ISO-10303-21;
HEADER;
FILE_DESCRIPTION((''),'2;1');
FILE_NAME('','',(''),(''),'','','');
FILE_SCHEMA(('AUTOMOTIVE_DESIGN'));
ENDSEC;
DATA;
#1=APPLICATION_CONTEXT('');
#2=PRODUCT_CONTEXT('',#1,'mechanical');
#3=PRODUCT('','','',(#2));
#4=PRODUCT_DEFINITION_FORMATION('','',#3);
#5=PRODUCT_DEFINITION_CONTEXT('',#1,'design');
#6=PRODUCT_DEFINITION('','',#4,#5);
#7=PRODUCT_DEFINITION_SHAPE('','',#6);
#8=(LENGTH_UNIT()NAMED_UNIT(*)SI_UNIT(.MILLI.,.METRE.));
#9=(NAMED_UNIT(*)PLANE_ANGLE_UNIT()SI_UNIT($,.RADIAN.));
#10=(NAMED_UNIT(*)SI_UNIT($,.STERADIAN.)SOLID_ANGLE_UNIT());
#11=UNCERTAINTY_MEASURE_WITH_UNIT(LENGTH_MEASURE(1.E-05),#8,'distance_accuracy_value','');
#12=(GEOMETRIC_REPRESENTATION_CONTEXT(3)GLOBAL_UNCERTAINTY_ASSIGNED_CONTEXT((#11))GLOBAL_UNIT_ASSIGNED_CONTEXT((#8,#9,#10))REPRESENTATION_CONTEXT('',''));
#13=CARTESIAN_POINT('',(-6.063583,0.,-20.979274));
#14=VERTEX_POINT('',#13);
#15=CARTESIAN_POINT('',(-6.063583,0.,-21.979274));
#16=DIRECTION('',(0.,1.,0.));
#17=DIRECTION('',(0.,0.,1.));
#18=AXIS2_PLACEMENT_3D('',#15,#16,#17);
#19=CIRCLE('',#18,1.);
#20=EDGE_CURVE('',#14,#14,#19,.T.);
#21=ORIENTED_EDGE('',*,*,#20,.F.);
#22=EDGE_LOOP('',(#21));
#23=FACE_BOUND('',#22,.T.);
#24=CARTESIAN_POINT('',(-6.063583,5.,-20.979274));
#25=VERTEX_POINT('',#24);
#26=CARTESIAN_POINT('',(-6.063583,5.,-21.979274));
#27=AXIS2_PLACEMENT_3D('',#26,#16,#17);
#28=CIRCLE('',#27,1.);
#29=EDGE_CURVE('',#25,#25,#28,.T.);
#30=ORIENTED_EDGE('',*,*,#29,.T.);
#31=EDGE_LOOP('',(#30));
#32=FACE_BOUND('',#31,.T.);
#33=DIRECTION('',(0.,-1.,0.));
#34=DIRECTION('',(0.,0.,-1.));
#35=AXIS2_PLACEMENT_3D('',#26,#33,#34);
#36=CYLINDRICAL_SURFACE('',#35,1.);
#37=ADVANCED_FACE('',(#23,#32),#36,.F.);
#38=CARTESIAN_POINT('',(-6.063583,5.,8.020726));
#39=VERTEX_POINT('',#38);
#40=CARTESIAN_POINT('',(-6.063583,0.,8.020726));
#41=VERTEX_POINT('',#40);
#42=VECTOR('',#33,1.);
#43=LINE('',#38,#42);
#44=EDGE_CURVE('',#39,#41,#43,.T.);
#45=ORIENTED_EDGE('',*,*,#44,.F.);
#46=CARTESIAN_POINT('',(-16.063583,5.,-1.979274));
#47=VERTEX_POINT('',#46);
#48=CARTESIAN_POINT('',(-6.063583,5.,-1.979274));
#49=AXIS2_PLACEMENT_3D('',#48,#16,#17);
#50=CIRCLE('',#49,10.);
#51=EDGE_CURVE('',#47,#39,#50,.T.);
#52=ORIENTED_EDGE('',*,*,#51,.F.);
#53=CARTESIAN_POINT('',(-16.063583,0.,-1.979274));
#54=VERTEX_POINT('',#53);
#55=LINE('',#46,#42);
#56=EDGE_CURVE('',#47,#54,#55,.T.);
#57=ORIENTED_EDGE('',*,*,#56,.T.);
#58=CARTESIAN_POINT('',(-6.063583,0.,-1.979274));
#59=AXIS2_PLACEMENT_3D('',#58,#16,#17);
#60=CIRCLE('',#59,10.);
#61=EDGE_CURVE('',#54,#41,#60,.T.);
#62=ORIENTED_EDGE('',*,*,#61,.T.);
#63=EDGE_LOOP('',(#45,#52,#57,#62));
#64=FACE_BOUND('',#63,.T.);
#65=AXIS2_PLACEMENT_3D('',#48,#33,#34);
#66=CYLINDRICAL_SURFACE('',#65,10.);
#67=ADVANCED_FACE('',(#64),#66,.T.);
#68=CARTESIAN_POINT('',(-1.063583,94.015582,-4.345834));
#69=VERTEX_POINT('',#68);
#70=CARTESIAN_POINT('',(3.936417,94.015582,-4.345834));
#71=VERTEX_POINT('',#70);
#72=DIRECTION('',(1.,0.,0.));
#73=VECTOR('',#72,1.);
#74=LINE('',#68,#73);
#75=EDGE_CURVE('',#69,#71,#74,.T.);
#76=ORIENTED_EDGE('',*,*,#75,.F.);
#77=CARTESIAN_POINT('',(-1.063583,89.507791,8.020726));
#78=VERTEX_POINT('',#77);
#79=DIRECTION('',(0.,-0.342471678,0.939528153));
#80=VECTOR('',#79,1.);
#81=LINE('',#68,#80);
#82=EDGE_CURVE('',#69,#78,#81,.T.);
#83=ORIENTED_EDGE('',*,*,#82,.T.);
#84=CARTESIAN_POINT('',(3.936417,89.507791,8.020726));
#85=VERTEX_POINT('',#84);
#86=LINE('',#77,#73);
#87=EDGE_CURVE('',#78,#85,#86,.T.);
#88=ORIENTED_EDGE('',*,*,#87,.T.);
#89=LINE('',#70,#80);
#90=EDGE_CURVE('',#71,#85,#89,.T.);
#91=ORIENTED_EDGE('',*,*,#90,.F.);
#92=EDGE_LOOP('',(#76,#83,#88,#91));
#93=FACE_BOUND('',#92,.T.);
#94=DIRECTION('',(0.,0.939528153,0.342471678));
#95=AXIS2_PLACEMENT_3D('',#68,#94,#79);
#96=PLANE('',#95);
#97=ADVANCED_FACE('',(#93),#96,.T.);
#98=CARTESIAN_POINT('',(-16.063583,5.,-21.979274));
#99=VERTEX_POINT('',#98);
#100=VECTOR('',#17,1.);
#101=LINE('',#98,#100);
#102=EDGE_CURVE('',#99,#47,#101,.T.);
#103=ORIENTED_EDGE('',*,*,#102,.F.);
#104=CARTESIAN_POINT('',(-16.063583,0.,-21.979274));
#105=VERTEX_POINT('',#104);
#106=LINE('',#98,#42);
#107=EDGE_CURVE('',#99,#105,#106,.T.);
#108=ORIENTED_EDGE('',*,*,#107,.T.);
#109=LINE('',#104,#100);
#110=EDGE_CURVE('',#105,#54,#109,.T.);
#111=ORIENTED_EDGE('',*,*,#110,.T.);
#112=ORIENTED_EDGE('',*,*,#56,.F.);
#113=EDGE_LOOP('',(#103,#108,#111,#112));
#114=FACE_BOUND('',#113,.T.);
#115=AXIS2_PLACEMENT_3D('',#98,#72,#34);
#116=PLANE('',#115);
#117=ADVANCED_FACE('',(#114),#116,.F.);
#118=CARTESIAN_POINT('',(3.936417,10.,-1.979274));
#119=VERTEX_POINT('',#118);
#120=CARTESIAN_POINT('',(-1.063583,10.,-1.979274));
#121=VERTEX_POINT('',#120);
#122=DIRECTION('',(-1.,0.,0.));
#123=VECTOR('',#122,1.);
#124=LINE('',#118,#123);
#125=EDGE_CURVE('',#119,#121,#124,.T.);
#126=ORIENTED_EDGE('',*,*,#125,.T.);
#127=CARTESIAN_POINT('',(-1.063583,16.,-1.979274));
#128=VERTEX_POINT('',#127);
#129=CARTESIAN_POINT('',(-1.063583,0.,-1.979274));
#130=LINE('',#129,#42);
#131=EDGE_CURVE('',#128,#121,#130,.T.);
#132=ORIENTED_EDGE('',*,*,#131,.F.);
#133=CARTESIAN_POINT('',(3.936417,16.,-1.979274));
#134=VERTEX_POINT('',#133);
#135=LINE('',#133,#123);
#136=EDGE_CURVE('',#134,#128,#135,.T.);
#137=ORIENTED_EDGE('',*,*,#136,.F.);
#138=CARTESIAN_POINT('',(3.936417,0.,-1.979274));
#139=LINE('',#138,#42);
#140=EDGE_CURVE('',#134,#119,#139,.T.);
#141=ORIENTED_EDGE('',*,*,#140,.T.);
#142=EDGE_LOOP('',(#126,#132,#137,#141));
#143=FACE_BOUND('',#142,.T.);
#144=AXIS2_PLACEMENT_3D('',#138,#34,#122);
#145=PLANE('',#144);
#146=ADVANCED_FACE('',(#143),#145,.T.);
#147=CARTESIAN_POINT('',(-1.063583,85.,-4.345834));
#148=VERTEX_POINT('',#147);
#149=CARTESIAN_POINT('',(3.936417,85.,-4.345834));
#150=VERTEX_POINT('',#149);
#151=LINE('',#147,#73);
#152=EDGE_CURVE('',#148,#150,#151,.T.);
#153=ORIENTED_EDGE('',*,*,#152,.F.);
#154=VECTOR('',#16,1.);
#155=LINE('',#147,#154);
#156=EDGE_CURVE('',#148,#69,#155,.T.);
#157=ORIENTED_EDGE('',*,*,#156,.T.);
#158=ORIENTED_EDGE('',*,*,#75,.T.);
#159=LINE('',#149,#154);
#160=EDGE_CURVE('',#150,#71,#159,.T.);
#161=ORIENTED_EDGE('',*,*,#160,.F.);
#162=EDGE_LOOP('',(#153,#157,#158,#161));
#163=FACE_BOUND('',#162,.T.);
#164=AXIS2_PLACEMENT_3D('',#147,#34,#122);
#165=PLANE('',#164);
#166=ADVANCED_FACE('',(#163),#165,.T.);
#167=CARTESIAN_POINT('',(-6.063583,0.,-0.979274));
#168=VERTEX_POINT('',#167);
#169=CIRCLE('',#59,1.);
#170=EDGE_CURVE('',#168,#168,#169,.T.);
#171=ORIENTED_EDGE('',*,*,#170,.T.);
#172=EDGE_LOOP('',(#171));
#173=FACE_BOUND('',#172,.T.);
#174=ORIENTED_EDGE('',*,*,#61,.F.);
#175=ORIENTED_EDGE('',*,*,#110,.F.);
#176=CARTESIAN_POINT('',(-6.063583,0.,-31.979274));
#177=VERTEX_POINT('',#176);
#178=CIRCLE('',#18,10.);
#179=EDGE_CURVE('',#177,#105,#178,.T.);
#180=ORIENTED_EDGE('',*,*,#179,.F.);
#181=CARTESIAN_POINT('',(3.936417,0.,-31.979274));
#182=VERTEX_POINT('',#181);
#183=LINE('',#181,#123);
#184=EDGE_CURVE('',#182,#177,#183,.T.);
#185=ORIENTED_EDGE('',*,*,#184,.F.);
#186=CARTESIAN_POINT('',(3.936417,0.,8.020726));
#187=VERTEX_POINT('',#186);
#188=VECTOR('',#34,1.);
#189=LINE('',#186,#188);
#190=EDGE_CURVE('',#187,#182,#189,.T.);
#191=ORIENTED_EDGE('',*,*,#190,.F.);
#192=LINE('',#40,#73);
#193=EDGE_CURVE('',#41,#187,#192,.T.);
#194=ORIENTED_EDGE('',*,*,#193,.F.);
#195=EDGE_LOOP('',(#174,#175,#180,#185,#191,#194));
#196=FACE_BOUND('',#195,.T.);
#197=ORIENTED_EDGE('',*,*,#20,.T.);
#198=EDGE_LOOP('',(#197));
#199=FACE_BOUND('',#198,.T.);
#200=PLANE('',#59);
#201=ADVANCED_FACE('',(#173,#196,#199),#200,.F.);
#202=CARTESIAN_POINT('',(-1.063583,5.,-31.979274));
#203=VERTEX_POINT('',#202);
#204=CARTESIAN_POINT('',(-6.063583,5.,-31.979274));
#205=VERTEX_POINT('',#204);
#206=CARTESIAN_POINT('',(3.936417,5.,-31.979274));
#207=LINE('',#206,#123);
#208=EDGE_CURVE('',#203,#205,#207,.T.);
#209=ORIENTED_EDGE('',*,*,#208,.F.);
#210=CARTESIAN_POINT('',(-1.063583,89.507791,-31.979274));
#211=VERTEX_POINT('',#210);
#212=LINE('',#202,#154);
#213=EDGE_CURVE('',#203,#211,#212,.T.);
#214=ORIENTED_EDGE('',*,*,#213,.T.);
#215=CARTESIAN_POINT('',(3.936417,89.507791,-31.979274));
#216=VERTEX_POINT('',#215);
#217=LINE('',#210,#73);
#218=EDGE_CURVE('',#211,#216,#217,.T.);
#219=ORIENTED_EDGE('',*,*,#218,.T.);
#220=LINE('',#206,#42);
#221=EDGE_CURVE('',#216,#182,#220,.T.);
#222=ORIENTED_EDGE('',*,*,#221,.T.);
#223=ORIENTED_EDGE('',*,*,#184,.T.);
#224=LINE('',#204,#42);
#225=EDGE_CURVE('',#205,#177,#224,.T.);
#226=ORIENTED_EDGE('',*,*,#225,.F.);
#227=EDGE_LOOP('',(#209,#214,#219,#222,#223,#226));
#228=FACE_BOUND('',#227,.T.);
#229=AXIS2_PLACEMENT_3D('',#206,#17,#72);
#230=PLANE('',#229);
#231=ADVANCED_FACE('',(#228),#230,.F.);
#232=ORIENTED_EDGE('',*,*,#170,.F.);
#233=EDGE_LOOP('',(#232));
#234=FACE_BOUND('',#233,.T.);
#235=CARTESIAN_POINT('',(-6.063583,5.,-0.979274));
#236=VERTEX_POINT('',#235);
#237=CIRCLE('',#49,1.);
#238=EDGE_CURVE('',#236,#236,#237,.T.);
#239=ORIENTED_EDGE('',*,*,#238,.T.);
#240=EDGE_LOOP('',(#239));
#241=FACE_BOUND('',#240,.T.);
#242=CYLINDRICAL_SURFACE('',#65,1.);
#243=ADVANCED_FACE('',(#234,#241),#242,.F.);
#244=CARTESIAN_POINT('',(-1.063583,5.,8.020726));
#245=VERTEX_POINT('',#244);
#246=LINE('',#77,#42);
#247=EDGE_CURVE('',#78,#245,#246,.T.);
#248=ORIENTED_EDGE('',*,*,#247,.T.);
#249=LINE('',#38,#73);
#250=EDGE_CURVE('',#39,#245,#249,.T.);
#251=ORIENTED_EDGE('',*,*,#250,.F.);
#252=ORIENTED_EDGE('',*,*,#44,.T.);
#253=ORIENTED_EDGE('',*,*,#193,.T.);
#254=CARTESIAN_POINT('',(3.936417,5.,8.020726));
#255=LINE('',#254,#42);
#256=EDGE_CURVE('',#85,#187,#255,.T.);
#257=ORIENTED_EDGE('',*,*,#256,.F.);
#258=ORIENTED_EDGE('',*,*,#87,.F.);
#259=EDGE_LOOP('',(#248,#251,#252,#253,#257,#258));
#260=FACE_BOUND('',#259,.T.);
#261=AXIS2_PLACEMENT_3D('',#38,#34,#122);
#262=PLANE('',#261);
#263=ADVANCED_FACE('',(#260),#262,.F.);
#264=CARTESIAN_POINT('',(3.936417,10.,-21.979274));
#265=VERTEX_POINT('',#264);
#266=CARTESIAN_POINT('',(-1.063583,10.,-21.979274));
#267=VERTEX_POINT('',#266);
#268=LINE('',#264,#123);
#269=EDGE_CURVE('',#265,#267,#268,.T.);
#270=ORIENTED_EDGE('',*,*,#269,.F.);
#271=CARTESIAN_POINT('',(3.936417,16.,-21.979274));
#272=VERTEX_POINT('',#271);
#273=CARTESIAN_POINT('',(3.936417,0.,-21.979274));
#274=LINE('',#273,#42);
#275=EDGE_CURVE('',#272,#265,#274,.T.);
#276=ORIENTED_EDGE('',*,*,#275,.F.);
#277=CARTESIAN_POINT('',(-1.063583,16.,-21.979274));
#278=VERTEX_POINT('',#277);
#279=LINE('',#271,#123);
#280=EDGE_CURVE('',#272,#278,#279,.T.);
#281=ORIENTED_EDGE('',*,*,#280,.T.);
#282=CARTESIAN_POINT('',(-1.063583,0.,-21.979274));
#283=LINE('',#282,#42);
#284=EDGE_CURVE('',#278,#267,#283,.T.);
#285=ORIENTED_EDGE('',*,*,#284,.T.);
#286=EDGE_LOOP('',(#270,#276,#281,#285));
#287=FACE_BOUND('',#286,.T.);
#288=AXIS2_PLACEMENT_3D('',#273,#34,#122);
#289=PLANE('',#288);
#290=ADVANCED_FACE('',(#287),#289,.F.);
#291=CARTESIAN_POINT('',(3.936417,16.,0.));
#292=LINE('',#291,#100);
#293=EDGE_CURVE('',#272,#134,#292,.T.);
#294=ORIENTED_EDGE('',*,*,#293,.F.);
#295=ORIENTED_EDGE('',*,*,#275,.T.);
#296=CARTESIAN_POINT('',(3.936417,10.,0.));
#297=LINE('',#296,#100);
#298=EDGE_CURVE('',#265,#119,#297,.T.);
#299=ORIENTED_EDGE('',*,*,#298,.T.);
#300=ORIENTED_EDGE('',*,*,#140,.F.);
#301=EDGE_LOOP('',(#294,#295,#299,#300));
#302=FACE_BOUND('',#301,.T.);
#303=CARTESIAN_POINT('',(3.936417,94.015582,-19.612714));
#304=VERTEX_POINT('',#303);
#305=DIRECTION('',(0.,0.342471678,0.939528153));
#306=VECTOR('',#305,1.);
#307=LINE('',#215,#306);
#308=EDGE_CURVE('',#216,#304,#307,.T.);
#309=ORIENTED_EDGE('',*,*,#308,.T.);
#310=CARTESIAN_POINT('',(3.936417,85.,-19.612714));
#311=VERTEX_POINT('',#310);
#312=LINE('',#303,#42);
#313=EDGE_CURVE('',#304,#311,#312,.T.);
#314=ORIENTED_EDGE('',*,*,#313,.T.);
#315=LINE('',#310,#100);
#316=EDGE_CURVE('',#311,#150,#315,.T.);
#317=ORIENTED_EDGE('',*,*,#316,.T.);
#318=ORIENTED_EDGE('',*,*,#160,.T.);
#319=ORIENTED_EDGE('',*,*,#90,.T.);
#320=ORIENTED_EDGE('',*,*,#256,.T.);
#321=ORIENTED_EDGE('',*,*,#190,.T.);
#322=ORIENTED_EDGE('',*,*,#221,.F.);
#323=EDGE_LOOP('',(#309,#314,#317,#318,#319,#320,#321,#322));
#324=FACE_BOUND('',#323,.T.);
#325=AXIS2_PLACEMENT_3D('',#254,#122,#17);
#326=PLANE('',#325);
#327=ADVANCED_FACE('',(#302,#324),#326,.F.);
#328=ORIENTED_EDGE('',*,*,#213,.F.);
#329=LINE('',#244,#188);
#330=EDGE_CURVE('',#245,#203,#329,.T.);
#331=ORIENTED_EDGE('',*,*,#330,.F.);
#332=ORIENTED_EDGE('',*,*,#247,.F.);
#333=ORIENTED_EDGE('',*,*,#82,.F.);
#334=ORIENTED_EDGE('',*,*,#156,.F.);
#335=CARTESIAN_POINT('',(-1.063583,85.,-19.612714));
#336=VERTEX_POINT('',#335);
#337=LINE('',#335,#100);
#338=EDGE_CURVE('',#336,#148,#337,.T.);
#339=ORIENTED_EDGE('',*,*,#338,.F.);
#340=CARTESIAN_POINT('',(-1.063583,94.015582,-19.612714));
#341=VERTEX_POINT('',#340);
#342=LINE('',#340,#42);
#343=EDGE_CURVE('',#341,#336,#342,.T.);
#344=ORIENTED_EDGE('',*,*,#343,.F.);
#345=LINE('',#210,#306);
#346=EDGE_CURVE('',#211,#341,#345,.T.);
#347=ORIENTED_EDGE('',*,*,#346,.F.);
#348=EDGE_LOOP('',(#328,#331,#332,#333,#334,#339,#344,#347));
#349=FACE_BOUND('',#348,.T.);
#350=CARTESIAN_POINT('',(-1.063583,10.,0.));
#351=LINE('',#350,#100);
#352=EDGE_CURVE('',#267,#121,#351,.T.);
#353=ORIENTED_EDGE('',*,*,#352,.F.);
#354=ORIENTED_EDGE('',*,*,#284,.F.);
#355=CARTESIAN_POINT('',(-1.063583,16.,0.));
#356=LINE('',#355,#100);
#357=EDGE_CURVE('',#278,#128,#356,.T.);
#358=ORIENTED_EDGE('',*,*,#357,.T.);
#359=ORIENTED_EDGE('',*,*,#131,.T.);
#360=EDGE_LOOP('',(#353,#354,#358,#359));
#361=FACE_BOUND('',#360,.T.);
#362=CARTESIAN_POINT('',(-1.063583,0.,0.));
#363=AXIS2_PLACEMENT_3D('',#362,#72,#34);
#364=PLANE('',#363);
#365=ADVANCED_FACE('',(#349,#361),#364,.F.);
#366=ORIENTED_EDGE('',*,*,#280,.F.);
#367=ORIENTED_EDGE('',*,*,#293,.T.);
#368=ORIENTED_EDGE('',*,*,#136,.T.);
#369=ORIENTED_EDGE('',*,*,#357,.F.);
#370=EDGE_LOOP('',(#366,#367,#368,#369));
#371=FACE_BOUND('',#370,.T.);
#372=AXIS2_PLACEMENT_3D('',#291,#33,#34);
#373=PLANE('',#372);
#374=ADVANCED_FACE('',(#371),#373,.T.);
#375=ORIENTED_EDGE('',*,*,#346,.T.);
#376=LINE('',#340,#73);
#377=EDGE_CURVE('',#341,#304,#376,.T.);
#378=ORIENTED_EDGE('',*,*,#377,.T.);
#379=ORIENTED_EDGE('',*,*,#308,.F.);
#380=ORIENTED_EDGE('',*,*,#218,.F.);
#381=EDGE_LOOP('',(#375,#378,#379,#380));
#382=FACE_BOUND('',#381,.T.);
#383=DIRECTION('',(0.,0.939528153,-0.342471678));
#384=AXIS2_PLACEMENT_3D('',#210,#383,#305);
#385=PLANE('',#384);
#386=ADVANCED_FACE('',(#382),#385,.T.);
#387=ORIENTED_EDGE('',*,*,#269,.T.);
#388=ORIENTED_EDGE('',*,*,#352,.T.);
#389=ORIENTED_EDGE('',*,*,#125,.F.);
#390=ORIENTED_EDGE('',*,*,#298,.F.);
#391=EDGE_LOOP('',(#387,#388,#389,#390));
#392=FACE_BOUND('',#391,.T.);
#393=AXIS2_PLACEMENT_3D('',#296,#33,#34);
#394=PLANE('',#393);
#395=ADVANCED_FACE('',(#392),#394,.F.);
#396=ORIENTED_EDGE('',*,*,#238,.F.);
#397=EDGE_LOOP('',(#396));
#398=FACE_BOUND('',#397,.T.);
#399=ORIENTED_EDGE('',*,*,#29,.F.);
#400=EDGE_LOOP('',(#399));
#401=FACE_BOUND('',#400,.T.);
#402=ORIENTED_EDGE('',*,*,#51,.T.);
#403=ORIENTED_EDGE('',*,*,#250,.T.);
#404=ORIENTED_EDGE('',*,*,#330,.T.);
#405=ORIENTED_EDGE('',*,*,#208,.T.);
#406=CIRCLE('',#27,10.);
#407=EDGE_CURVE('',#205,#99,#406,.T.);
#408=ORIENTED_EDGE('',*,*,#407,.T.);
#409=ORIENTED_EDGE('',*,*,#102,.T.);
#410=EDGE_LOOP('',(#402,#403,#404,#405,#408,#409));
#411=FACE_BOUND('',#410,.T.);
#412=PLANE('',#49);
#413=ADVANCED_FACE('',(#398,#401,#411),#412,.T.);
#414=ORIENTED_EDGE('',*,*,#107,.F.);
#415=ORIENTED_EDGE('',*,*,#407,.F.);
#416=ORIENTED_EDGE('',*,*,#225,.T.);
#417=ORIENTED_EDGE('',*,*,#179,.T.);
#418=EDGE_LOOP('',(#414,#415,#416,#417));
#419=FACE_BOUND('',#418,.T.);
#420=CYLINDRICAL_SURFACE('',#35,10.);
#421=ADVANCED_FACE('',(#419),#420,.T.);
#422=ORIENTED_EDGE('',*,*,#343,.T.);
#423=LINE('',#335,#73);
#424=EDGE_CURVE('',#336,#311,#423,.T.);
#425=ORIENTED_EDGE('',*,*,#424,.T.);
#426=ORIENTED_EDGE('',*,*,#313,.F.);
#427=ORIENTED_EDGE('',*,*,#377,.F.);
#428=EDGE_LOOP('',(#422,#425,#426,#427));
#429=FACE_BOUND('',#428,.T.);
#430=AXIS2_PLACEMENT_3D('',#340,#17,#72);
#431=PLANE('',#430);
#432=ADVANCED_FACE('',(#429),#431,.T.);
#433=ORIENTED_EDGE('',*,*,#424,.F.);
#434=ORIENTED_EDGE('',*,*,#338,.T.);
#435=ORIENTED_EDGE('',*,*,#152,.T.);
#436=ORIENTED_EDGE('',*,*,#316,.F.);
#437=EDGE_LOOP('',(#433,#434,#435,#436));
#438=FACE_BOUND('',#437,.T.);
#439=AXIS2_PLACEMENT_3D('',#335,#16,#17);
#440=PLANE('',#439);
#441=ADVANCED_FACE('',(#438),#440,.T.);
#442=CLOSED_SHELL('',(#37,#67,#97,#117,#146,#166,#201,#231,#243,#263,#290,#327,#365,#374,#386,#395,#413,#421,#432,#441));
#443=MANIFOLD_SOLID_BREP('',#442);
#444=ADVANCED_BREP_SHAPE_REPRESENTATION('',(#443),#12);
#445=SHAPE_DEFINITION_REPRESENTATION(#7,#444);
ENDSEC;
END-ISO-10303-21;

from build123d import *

# Parameters (mm, degrees)
SKETCH1_R           = 1
BOSS_EXTRUDE1_DEPTH = 5
BOSS_EXTRUDE2_DEPTH = 5
SKETCH6_W           = 20
SKETCH6_H           = 6
CUT_EXTRUDE1_DEPTH  = 5


with BuildPart() as part:
    # Sketch1 → Boss-Extrude1 (new body)
    with BuildSketch(Plane(origin=(0, 0, 0), x_dir=(1, 0, 0), z_dir=(0, 1, 0))):
        with BuildLine():
            Line((-6.063583, -8.020726268), (3.936417, -8.020726268))
            Line((3.936417, -8.020726268), (3.936417, 31.979273732))
            Line((3.936417, 31.979273732), (-6.063583, 31.979273732))
            ThreePointArc((-6.063583, 31.979273732), (-13.134650812, 29.050341544), (-16.063583, 21.979273732))
            Line((-16.063583, 21.979273732), (-16.063583, 1.979273732))
            ThreePointArc((-16.063583, 1.979273732), (-13.134650812, -5.09179408), (-6.063583, -8.020726268))
        make_face()
        with Locations((-6.063583, 21.979273732)):
            Circle(SKETCH1_R, mode=Mode.SUBTRACT)
        with Locations((-6.063583, 1.979273732)):
            Circle(SKETCH1_R, mode=Mode.SUBTRACT)
    extrude(amount=BOSS_EXTRUDE1_DEPTH)

    # Sketch5 → Boss-Extrude2 (add)
    with BuildSketch(Plane(origin=(3.936417, 0, 0), x_dir=(0, 0, -1), z_dir=(1, 0, 0))):
        Polygon((-8.020726268, 5), (31.979273732, 5), (31.979273732, 89.50779106), (19.612713583, 94.015582119), (19.612713583, 85), (4.345833881, 85), (4.345833881, 94.015582119), (-8.020726268, 89.50779106), align=None)
    extrude(amount=-BOSS_EXTRUDE2_DEPTH)

    # Sketch6 → Cut-Extrude1 (cut)
    with BuildSketch(Plane.ZY.offset(1.063583)):
        with Locations((-11.979273732, 13)):
            Rectangle(SKETCH6_W, SKETCH6_H)
    extrude(amount=-CUT_EXTRUDE1_DEPTH, mode=Mode.SUBTRACT)


solid = part.part
